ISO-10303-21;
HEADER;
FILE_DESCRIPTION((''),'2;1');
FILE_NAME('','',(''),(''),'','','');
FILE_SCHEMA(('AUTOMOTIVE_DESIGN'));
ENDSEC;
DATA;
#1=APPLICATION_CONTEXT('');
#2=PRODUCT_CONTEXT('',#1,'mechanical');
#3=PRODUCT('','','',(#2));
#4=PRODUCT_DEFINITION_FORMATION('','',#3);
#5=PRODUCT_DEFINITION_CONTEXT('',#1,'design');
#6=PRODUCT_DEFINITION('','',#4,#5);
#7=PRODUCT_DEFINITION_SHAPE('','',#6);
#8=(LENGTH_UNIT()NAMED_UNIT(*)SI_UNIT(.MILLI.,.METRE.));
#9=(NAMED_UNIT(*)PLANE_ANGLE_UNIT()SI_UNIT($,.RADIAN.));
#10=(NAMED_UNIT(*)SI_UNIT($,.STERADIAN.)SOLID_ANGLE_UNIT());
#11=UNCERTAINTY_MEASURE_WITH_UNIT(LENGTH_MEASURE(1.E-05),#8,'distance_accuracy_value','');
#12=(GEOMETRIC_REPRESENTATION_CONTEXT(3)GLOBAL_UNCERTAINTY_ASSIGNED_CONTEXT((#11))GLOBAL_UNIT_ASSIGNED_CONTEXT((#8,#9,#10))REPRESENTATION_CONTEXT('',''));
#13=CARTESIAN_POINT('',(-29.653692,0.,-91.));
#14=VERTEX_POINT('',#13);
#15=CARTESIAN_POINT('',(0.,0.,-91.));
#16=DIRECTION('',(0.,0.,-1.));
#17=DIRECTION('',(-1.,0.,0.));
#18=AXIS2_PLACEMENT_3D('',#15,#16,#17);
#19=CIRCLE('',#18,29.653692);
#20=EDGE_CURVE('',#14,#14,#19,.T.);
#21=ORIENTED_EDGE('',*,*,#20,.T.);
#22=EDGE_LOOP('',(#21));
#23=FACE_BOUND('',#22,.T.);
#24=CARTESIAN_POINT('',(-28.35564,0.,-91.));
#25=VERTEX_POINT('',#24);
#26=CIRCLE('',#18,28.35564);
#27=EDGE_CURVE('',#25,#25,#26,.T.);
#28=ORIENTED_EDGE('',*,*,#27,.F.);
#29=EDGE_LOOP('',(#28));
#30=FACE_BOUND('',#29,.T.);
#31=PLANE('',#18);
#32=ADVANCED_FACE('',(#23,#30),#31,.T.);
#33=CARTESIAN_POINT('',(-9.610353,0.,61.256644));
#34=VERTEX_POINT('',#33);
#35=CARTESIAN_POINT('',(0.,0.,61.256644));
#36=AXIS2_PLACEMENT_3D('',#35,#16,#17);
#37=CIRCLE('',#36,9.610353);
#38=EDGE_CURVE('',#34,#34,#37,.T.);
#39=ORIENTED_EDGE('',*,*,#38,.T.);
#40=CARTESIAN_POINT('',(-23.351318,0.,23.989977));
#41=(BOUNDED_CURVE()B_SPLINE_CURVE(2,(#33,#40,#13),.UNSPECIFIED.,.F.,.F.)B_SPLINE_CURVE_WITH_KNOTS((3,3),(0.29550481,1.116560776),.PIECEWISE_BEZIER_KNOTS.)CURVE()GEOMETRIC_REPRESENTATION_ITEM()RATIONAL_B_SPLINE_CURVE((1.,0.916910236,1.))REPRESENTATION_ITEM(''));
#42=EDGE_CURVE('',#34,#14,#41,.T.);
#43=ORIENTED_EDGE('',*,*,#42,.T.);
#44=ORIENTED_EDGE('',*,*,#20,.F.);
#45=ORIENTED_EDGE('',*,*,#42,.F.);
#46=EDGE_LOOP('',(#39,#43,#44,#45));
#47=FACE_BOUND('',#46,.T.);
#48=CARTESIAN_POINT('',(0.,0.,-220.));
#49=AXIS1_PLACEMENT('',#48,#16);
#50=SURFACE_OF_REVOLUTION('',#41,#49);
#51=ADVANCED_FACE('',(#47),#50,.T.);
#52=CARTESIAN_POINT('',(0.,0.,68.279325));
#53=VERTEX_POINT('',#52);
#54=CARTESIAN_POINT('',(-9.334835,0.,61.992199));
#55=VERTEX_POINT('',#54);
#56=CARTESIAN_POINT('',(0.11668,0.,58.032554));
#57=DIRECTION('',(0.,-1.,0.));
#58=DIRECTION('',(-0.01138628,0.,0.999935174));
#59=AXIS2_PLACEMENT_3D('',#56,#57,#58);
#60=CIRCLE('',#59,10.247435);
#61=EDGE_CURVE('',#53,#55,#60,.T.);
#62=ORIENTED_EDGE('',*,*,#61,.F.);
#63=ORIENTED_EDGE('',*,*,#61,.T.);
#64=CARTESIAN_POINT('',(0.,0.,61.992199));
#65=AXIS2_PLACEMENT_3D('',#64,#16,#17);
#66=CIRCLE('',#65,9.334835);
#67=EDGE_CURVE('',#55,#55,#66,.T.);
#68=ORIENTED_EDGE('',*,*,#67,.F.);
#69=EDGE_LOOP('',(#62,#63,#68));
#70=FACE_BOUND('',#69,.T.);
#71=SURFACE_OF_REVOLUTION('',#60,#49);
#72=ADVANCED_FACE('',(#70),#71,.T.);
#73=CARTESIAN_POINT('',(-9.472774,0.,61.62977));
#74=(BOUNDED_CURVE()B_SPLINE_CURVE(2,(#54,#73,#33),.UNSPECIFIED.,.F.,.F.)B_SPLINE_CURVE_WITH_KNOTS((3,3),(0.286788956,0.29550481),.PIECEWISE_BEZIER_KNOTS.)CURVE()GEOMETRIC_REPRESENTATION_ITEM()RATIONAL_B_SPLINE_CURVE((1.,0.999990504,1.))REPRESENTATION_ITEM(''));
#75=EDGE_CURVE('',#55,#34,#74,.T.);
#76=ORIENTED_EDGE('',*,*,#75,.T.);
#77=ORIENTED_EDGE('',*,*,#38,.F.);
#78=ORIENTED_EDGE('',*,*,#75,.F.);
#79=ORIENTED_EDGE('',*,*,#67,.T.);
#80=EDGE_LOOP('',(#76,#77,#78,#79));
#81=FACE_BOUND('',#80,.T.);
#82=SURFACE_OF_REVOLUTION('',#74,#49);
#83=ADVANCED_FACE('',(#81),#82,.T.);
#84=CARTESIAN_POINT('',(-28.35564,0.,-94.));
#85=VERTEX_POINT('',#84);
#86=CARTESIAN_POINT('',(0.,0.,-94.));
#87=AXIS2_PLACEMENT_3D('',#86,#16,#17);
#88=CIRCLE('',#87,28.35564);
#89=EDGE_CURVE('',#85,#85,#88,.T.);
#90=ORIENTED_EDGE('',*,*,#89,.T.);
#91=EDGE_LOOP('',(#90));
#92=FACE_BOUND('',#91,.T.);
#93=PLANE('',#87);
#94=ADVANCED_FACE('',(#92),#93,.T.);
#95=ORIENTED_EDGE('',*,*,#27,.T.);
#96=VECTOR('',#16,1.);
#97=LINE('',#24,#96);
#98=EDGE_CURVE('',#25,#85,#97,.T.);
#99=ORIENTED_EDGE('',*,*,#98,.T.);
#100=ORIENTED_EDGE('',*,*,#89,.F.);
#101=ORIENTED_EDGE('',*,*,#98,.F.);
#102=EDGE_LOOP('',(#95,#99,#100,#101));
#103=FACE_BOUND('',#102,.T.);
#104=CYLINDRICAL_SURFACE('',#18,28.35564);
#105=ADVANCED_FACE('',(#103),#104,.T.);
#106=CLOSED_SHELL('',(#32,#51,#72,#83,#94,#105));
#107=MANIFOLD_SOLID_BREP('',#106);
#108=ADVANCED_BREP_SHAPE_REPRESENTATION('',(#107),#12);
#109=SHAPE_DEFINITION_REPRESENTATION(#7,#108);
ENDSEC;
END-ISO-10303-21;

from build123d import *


with BuildPart() as f1:
    # F0 (on Front) → F1 (revolve)
    with BuildSketch(Plane.XZ):
        with BuildLine():
            Line((-29.6536915112, 129), (-28.35564, 129))
            Line((-28.35564, 129), (-28.35564, 126))
            Line((-28.35564, 126), (0, 126))
            Line((0, 126), (0, 129))
            Line((0, 129), (0, 288.27932477))
            ThreePointArc((0, 288.27932477), (-5.6077918157, 286.5319861633), (-9.3348351788, 281.9921988308))
            add(Edge.make_bspline(
                [(-9.3348351788, 281.9921988308), (-9.4727739576, 281.6297700169), (-9.6103529337, 281.2566441128)],
                knots=[0.2867889564, 0.2867889564, 0.2867889564, 0.2955048098, 0.2955048098, 0.2955048098], degree=2, weights=[1, 0.9999905043, 1]))
            add(Edge.make_bspline(
                [(-9.6103529337, 281.2566441128), (-23.3513178298, 243.9899766792), (-29.6536915112, 129)],
                knots=[0.2955048098, 0.2955048098, 0.2955048098, 1.1165607764, 1.1165607764, 1.1165607764], degree=2, weights=[1, 0.9169102359, 1]))
        make_face()
    revolve(axis=Axis((0, 0, 0), (0, 0, -1)))


with BuildPart() as f1_1:
    # F2: moved
    add(f1.part.moved(Location((0, 0, -220))))


solid = f1_1.part
